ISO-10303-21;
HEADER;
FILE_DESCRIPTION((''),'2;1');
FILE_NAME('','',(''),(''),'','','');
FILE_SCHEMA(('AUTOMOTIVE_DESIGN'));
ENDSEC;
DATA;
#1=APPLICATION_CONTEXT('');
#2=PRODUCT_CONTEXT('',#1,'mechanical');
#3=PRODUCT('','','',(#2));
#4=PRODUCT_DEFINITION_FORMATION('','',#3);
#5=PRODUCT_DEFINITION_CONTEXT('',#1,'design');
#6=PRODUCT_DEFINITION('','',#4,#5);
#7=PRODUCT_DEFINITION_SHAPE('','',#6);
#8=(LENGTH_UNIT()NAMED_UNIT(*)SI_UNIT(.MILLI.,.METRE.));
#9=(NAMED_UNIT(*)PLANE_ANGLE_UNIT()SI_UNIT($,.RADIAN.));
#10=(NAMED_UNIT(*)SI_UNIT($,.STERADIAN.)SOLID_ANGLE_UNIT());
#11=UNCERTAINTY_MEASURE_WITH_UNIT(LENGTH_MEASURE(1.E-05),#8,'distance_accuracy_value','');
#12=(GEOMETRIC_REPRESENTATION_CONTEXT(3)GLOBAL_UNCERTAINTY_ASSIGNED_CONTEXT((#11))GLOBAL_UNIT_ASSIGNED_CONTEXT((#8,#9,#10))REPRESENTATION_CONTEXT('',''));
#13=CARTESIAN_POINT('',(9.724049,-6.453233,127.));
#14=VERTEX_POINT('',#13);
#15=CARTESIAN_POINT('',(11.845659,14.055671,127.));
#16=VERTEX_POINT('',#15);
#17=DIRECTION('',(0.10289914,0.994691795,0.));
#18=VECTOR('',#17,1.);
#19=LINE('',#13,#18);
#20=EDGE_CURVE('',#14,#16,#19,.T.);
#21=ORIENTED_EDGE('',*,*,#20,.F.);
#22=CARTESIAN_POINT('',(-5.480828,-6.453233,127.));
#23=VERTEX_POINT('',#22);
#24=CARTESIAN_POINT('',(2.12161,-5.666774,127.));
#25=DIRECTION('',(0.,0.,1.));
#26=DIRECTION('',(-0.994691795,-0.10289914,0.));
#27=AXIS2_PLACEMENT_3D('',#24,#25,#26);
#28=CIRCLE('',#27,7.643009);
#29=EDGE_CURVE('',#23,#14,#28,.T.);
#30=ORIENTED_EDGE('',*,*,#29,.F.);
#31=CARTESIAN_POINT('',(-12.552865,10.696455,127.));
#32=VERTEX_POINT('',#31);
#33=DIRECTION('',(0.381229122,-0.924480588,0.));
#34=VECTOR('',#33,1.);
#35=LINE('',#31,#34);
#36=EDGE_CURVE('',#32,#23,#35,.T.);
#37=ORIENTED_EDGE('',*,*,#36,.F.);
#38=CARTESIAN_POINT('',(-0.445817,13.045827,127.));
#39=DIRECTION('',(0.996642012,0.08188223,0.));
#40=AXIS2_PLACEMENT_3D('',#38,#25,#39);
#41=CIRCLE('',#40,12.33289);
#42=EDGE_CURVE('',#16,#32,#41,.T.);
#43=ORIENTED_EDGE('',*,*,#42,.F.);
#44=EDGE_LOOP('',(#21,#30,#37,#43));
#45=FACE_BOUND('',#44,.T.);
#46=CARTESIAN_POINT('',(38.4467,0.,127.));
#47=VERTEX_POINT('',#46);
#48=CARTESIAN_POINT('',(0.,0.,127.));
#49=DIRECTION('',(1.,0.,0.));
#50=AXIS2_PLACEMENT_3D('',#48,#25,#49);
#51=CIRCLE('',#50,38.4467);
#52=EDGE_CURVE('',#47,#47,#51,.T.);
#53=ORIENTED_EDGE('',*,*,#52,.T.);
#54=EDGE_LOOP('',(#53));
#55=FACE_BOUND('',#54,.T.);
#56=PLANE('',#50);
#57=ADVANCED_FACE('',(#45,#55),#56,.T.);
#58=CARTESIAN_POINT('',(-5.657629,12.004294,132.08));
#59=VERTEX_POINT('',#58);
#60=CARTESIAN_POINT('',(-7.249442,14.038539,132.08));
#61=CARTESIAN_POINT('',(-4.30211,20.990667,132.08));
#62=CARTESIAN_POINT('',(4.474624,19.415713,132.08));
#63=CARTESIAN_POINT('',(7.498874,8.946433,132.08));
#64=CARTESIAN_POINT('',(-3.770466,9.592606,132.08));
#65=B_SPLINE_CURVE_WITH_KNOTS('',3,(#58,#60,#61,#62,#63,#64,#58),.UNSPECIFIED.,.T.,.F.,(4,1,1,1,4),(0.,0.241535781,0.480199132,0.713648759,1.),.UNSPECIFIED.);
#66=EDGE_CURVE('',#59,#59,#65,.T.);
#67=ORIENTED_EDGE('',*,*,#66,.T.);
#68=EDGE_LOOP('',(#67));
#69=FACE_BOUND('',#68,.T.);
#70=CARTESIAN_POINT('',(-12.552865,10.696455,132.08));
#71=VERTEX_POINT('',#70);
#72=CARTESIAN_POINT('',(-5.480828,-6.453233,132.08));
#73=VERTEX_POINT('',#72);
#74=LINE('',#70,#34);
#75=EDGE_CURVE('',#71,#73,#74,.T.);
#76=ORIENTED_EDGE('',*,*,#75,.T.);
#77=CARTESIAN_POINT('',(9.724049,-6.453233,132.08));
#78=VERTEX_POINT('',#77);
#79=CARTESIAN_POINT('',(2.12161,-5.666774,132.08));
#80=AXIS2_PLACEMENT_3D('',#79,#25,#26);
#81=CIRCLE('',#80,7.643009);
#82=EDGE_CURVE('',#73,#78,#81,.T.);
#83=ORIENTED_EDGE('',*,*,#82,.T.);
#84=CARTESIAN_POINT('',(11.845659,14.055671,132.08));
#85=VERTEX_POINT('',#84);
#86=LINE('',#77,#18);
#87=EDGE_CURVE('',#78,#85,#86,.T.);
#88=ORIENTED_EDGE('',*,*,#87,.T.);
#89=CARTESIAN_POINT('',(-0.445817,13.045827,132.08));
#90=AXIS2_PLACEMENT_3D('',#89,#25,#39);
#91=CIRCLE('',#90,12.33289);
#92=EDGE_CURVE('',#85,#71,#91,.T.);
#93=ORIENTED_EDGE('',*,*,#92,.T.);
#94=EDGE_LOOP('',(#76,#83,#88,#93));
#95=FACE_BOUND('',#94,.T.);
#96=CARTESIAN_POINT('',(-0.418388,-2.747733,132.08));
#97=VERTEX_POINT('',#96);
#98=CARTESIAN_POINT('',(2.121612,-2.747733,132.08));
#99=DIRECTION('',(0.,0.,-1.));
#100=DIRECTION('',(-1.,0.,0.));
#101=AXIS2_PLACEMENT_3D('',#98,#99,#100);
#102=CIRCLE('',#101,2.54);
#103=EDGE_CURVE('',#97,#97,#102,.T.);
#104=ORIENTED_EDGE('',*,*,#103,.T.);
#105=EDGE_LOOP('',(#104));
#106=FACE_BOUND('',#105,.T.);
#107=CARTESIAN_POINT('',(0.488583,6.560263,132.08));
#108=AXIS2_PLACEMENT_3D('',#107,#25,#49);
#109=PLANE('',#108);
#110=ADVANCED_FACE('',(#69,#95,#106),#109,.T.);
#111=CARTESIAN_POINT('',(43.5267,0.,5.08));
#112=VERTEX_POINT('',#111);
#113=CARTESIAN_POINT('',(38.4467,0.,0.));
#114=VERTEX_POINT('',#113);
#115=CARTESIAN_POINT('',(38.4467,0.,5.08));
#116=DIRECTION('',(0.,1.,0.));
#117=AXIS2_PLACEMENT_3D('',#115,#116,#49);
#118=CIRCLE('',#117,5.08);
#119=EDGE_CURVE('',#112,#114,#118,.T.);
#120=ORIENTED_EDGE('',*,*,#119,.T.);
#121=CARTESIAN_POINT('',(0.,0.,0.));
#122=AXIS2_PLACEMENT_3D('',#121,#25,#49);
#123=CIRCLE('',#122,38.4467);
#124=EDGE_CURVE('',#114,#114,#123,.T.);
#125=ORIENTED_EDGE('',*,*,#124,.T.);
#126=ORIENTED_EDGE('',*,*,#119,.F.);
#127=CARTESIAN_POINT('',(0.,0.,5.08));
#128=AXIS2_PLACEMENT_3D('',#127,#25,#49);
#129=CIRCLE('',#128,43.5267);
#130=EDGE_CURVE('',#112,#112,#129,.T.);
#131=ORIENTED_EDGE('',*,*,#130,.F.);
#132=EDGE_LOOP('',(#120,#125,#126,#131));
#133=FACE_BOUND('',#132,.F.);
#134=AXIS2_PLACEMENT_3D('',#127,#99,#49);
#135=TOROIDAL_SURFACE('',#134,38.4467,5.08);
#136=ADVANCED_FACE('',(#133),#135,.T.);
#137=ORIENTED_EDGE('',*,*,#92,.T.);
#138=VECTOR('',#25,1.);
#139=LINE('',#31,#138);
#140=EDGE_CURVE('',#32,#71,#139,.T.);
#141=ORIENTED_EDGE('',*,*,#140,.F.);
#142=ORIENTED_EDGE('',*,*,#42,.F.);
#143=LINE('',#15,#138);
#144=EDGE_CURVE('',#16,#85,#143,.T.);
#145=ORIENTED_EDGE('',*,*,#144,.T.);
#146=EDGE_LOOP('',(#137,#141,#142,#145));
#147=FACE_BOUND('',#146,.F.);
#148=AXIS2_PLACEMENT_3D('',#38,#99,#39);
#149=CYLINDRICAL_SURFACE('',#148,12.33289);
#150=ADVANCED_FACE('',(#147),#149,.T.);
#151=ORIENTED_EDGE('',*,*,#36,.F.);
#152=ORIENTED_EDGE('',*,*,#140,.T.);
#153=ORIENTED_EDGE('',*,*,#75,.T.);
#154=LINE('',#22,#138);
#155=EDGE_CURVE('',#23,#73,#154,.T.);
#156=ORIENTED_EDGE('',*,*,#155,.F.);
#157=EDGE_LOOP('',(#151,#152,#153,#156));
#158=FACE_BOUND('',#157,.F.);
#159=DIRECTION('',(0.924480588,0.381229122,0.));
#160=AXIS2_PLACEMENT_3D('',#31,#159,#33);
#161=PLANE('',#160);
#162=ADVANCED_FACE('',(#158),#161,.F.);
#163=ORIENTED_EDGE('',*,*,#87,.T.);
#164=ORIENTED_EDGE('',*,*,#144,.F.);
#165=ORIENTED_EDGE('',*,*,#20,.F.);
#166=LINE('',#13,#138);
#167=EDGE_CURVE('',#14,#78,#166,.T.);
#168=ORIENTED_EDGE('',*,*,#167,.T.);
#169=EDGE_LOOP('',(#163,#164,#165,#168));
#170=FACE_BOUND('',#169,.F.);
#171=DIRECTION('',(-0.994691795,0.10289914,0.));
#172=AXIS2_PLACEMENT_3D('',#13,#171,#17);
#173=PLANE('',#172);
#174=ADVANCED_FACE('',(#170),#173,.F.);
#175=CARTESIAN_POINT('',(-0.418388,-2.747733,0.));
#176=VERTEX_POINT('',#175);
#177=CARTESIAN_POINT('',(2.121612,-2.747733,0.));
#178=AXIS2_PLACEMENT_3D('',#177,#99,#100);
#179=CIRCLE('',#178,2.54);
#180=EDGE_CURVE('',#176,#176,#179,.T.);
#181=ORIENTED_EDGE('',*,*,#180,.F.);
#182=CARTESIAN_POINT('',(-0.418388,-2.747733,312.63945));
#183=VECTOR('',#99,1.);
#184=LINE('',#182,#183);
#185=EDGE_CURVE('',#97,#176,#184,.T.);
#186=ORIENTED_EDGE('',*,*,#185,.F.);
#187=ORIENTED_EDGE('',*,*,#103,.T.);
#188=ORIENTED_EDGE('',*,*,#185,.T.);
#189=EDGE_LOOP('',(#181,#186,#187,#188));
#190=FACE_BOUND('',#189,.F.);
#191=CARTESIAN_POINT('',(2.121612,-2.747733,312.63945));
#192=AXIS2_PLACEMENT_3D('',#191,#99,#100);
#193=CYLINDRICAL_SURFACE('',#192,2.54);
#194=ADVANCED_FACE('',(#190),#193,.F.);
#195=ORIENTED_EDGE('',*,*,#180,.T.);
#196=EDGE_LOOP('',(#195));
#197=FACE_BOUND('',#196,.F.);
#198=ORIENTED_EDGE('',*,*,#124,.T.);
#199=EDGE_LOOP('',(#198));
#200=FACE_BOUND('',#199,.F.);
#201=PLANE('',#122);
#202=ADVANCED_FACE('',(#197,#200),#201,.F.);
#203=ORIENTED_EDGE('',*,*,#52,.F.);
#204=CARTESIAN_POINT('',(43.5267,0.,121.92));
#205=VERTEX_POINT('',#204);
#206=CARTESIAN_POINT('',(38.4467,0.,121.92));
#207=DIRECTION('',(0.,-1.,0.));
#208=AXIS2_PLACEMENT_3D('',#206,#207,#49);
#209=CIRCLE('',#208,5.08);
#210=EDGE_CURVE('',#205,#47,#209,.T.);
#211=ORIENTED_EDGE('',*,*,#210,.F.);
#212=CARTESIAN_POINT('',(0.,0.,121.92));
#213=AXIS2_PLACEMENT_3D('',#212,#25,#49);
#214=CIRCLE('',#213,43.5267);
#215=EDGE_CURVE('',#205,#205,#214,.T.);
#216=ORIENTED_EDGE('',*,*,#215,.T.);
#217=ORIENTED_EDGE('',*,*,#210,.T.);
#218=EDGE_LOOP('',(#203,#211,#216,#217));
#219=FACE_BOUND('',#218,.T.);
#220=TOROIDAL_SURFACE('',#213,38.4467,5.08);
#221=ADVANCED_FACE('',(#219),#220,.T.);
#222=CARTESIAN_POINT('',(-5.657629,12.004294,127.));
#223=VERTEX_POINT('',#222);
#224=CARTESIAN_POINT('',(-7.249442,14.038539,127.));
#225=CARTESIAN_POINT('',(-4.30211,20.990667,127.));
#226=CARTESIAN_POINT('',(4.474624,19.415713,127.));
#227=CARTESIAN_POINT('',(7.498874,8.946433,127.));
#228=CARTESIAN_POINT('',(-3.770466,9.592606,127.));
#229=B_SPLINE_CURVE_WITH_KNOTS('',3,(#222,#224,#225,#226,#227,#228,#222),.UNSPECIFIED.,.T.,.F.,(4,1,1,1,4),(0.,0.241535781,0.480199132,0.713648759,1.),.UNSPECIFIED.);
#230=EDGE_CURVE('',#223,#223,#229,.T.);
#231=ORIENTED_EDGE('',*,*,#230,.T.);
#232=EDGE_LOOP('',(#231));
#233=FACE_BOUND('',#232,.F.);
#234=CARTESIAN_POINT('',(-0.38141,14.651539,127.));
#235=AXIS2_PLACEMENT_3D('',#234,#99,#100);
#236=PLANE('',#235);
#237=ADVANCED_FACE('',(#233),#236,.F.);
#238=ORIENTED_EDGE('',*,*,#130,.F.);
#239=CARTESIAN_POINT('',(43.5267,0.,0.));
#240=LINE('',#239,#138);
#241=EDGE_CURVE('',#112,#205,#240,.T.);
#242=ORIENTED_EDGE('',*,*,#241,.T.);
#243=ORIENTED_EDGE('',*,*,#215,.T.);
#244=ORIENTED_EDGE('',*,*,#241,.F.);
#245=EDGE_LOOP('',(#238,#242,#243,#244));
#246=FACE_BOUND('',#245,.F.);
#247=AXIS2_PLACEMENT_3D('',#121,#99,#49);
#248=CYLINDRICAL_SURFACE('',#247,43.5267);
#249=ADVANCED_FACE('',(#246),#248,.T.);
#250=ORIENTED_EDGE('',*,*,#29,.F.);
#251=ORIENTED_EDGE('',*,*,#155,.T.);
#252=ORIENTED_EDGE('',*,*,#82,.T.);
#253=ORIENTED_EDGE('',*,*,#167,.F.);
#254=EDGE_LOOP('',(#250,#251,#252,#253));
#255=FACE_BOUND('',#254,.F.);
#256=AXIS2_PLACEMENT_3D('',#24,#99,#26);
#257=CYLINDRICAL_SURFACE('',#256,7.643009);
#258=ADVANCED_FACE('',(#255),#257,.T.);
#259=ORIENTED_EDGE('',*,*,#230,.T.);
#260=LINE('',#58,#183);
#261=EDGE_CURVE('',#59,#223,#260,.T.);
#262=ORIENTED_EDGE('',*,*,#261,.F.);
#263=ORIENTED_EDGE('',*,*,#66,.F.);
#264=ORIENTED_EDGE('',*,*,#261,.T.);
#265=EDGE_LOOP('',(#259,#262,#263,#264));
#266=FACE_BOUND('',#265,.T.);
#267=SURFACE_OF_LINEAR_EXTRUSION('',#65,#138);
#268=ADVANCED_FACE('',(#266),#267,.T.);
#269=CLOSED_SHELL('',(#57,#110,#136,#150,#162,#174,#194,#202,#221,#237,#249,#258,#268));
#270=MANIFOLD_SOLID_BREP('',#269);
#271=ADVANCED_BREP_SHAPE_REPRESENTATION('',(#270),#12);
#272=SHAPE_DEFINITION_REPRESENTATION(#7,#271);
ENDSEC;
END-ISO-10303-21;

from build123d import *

# Parameters (mm, degrees)
F0_R     = 43.5266995613
F1_DEPTH = 127
F2_R     = 5.08
F4_DEPTH = 5.08
F6_DEPTH = 5.08
F8_D     = 5.08


with BuildPart() as f1:
    # F0 (on Top) → F1 (new body)
    with BuildSketch(Plane.XY):
        Circle(F0_R)
    extrude(amount=F1_DEPTH)

    # F2
    f2_edges = [f1.edges().sort_by_distance(p)[0] for p in [
        (43.5267, 0, 63.5),
        (-43.5267, 0, 0),
        (-43.5267, 0, 127),
    ]]
    fillet(f2_edges, radius=F2_R)

    # F3 (on face) → F4 (join)
    with BuildSketch(Plane.XY.offset(127)):
        with BuildLine():
            Line((9.7240488976, -6.4532333054), (11.8456594646, 14.0556711704))
            ThreePointArc((11.8456594646, 14.0556711704), (-2.1279540893, 25.2634606559), (-12.5528648496, 10.696454905))
            Line((-12.5528648496, 10.696454905), (-5.4808282293, -6.4532333054))
            ThreePointArc((-5.4808282293, -6.4532333054), (2.1216103341, -13.309783456), (9.7240488976, -6.4532333054))
        make_face()
    extrude(amount=F4_DEPTH)

    # F5 (on face) → F6 (cut)
    with BuildSketch(Plane.XY.offset(132.08)):
        with BuildLine():
            add(Edge.make_bspline(
                [(-5.6576291099, 12.0042935014), (-7.2494417271, 14.0385394216), (-4.3021102383, 20.9906666124), (4.4746239471, 19.4157133137), (7.4988739115, 8.9464331045), (-3.7704655796, 9.5926059252), (-5.6576291099, 12.0042935014)],
                knots=[0, 0, 0, 0, 0.2415357815, 0.4801991319, 0.7136487592, 1, 1, 1, 1], degree=3))
        make_face()
    extrude(amount=-F6_DEPTH, mode=Mode.SUBTRACT)

    # F8 (through all)
    with Locations(Plane.XY.offset(132.08)):
        with Locations((2.1216121968, -2.747733146)):
            Hole(F8_D / 2)


solid = f1.part
